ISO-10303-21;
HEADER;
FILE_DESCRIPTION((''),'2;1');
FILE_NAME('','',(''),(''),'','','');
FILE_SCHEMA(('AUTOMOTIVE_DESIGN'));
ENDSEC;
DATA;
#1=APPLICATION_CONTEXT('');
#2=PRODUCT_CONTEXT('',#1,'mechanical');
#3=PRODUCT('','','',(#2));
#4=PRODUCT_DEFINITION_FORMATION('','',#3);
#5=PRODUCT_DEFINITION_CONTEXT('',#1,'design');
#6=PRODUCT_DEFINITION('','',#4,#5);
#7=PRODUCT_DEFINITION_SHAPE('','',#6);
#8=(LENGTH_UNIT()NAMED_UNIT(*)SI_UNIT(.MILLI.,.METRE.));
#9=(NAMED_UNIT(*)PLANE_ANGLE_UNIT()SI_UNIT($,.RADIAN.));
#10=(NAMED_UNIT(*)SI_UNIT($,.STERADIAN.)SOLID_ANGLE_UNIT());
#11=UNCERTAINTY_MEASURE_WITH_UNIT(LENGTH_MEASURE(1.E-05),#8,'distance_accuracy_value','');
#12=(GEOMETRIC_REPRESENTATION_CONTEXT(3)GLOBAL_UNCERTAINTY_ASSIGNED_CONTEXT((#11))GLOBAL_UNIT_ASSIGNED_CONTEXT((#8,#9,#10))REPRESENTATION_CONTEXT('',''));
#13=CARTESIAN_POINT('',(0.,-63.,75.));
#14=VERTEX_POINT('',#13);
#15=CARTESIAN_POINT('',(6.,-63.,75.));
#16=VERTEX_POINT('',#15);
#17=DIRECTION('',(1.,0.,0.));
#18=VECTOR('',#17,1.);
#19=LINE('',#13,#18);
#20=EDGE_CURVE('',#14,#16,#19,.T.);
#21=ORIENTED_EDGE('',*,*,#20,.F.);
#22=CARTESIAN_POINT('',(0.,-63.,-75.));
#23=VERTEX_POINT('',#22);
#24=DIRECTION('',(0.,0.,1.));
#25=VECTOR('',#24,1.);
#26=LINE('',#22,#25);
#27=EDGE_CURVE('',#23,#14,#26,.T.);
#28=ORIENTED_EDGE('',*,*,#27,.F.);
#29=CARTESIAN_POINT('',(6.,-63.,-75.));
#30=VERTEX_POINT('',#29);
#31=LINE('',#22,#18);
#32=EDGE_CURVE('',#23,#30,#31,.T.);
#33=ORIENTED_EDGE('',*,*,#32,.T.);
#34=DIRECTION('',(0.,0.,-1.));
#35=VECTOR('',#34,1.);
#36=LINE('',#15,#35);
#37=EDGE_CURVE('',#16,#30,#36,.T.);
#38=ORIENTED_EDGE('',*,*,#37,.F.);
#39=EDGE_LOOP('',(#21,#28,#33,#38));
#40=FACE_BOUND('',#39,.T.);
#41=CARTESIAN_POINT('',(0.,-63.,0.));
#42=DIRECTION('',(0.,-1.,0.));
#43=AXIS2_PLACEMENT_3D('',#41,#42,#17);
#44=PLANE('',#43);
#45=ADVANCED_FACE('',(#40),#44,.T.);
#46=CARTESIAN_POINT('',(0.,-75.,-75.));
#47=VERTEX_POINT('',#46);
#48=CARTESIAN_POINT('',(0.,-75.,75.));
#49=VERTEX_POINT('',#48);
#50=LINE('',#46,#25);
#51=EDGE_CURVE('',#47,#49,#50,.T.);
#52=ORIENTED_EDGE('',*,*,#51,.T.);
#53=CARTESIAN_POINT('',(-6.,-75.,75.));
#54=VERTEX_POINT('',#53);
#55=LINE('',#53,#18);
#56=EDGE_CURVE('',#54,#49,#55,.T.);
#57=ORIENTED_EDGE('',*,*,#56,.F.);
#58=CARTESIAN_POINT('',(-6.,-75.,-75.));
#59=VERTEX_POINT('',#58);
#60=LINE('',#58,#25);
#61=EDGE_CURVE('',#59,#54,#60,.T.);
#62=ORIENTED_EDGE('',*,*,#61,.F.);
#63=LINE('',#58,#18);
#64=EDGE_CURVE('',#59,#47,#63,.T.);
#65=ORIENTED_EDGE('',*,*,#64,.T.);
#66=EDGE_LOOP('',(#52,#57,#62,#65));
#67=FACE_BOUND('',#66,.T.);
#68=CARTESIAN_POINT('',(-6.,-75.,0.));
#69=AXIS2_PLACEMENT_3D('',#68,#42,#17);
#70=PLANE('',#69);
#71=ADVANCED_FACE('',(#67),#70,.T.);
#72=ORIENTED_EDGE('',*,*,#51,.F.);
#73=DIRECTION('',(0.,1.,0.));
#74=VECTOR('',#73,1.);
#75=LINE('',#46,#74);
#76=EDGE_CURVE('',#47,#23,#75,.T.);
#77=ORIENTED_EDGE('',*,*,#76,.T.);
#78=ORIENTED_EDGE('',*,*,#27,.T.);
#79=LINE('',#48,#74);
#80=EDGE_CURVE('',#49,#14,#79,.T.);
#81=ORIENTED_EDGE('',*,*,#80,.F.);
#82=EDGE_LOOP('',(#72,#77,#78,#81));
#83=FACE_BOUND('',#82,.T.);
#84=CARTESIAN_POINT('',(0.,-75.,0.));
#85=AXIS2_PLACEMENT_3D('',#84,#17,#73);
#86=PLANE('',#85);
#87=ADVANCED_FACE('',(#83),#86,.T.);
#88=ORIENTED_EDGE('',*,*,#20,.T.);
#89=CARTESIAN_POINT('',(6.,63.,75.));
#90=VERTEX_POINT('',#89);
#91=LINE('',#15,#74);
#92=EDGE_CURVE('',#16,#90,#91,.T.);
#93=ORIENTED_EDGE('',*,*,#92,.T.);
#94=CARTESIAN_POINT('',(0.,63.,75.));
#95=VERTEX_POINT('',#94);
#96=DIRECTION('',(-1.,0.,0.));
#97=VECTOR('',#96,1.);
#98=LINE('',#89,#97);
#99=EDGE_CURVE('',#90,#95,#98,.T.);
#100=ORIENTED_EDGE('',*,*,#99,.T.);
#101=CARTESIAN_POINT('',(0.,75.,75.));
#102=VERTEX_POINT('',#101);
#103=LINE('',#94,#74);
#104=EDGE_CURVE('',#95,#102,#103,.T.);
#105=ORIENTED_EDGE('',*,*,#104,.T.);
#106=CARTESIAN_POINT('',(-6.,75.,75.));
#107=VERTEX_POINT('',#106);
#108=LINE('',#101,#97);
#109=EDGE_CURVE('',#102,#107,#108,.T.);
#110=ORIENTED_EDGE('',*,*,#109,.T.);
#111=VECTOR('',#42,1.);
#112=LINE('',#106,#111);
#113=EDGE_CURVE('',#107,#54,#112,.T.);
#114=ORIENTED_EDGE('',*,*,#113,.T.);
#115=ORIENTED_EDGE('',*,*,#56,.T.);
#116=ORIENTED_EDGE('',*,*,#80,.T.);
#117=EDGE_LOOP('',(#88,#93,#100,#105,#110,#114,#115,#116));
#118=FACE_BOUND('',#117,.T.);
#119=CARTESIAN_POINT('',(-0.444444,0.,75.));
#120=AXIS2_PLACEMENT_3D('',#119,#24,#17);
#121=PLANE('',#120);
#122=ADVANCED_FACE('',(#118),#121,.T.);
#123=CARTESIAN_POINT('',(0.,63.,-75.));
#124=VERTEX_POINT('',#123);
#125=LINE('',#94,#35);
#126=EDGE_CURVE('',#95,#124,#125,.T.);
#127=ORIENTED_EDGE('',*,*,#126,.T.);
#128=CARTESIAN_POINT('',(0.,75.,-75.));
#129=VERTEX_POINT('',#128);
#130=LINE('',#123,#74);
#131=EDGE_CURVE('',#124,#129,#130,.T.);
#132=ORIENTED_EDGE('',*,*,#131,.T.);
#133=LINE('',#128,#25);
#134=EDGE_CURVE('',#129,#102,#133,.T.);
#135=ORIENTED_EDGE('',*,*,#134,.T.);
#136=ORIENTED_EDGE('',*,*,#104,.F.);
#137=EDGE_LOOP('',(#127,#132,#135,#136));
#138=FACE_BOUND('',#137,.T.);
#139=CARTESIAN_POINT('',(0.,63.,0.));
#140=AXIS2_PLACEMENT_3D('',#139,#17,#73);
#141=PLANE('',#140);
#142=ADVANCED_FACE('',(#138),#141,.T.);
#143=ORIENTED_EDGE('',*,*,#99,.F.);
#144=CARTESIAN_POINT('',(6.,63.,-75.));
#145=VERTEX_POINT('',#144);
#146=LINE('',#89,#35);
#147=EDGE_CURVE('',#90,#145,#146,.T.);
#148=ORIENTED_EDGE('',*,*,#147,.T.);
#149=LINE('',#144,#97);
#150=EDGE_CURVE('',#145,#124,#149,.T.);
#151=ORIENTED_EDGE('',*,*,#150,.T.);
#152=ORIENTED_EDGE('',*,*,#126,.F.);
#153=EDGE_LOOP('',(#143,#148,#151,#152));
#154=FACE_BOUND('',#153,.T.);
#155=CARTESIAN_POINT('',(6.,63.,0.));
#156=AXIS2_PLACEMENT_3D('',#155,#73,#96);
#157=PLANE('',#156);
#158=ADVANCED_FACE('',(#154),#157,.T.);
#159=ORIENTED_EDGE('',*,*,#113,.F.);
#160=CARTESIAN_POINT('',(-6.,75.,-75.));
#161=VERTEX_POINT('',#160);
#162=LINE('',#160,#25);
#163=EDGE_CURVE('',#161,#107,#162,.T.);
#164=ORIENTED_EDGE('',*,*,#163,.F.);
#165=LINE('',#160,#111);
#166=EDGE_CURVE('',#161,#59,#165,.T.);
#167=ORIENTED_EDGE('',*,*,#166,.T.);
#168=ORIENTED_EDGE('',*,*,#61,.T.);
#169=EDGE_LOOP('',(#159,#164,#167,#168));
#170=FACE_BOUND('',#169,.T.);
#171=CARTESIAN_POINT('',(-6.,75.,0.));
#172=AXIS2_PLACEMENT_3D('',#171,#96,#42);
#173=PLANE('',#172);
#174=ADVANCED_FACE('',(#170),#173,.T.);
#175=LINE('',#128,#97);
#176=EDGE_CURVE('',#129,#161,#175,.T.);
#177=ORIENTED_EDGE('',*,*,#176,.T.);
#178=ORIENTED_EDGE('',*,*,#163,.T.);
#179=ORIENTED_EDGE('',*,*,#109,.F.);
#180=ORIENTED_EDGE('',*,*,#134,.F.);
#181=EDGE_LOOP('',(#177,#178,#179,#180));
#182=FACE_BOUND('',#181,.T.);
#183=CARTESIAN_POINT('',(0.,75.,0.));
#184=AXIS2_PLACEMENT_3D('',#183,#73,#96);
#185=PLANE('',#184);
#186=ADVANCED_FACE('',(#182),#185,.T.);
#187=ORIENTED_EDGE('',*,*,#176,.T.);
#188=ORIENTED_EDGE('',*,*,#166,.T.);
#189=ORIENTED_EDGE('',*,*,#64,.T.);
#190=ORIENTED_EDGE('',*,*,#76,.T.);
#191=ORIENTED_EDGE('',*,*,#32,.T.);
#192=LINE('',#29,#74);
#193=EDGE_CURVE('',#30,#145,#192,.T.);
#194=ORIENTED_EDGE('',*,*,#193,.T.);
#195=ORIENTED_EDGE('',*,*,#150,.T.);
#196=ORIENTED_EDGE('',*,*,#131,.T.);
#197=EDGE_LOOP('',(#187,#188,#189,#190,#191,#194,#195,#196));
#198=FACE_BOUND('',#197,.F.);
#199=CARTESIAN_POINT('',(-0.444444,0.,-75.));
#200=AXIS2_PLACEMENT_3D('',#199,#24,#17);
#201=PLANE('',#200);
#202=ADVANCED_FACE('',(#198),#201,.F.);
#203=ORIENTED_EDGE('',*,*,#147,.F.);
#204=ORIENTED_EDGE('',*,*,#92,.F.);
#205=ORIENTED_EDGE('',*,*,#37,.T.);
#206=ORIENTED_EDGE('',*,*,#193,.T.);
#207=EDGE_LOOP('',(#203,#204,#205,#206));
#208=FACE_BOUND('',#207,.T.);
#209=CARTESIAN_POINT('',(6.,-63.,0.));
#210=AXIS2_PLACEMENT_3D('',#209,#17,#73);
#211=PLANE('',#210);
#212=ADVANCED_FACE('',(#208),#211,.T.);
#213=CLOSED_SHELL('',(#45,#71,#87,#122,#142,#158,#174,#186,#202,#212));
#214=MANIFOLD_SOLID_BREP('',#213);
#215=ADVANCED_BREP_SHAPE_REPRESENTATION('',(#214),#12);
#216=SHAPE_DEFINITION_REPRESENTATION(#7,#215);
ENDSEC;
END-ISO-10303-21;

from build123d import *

# Parameters (mm, degrees)
F1_DEPTH = 75


with BuildPart() as f1:
    # F0 (on Top) → F1 (new body, symmetric)
    with BuildSketch(Plane.XY):
        Polygon((0, 63), (0, 75), (-6, 75), (-6, -75), (0, -75), (0, -63), (6, -63), (6, 63), align=None)
    extrude(amount=F1_DEPTH, both=True)


solid = f1.part
